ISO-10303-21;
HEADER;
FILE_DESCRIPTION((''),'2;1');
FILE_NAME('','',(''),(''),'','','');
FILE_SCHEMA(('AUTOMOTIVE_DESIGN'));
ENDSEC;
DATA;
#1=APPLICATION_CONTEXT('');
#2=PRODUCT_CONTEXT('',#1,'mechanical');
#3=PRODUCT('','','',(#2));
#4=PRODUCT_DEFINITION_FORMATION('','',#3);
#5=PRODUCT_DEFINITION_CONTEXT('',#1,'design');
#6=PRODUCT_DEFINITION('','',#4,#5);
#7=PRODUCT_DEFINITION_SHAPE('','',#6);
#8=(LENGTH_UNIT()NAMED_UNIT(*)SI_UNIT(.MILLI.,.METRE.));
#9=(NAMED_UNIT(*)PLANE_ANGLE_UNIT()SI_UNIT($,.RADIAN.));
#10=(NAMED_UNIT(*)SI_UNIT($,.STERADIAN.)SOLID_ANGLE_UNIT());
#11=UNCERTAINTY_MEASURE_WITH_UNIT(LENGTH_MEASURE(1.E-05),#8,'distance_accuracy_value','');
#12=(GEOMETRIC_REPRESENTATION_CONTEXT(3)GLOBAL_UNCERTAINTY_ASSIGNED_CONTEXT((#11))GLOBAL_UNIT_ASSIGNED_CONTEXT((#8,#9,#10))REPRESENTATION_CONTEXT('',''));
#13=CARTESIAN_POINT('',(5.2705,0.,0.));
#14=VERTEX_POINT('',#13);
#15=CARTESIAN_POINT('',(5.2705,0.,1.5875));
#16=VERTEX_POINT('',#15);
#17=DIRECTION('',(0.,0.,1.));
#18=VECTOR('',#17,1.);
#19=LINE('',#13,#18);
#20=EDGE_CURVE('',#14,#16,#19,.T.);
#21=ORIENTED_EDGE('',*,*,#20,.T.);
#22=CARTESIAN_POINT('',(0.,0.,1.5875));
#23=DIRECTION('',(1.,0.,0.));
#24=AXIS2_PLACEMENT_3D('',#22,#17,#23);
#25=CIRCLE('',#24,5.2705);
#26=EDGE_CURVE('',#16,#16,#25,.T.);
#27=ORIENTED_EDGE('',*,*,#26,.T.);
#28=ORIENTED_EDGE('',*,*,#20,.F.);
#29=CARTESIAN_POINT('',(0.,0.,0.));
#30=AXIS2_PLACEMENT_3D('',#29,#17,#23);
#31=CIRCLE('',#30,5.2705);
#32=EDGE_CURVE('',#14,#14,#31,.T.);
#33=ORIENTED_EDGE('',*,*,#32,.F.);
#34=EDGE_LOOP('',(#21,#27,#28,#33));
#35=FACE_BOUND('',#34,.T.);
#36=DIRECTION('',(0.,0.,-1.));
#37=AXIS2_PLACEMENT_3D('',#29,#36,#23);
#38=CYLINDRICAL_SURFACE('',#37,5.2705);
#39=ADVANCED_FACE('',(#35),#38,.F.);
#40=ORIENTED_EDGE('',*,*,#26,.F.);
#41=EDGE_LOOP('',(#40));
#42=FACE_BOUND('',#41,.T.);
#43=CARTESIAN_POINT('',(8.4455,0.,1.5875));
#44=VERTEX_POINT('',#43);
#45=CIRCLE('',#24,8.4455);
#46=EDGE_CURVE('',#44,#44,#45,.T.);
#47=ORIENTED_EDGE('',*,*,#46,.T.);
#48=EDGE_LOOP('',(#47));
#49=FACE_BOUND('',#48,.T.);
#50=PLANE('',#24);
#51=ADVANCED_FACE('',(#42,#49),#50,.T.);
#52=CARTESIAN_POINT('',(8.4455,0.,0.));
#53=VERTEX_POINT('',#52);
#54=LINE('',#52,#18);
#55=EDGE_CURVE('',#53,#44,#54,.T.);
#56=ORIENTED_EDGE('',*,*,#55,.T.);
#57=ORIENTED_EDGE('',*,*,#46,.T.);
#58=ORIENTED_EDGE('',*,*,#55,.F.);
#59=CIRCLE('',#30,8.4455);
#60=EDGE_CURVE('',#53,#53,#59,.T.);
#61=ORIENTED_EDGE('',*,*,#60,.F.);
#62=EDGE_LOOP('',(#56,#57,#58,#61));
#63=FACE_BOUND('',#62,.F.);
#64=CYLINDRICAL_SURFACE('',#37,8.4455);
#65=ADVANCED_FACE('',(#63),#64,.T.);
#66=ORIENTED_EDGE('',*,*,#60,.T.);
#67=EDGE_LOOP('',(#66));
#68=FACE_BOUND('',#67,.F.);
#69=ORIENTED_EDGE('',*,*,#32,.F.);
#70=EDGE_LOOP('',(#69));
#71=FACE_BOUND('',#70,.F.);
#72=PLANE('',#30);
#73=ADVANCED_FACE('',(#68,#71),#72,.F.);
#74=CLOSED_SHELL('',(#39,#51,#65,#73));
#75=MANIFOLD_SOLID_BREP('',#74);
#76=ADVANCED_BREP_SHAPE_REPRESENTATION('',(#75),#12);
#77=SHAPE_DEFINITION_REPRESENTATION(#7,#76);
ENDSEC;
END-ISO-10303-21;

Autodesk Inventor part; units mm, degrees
ref_plane "YZ Plane" through (0, 0, 0) normal (1, 0, 0) x (0, 1, 0)
ref_plane "XZ Plane" through (0, 0, 0) normal (0, 1, 0) x (-1, 0, 0)
ref_plane "XY Plane" through (0, 0, 0) normal (0, 0, 1) x (1, 0, 0)
sketch "Sketch1" plane through (0, 0, 0) normal (0, 0, 1) x (1, 0, 0)
  circle A0 centre (0, 0) radius 5.2705
  circle A1 centre (0, 0) radius 8.4455
  dimension "d0" = 3.175
  dimension "d1" = 10.541
extrude "Extrusion1" add sketch "Sketch1" along normal blind 1.5875
properties part number "GP-SP-001" material "ABS Plastic"
